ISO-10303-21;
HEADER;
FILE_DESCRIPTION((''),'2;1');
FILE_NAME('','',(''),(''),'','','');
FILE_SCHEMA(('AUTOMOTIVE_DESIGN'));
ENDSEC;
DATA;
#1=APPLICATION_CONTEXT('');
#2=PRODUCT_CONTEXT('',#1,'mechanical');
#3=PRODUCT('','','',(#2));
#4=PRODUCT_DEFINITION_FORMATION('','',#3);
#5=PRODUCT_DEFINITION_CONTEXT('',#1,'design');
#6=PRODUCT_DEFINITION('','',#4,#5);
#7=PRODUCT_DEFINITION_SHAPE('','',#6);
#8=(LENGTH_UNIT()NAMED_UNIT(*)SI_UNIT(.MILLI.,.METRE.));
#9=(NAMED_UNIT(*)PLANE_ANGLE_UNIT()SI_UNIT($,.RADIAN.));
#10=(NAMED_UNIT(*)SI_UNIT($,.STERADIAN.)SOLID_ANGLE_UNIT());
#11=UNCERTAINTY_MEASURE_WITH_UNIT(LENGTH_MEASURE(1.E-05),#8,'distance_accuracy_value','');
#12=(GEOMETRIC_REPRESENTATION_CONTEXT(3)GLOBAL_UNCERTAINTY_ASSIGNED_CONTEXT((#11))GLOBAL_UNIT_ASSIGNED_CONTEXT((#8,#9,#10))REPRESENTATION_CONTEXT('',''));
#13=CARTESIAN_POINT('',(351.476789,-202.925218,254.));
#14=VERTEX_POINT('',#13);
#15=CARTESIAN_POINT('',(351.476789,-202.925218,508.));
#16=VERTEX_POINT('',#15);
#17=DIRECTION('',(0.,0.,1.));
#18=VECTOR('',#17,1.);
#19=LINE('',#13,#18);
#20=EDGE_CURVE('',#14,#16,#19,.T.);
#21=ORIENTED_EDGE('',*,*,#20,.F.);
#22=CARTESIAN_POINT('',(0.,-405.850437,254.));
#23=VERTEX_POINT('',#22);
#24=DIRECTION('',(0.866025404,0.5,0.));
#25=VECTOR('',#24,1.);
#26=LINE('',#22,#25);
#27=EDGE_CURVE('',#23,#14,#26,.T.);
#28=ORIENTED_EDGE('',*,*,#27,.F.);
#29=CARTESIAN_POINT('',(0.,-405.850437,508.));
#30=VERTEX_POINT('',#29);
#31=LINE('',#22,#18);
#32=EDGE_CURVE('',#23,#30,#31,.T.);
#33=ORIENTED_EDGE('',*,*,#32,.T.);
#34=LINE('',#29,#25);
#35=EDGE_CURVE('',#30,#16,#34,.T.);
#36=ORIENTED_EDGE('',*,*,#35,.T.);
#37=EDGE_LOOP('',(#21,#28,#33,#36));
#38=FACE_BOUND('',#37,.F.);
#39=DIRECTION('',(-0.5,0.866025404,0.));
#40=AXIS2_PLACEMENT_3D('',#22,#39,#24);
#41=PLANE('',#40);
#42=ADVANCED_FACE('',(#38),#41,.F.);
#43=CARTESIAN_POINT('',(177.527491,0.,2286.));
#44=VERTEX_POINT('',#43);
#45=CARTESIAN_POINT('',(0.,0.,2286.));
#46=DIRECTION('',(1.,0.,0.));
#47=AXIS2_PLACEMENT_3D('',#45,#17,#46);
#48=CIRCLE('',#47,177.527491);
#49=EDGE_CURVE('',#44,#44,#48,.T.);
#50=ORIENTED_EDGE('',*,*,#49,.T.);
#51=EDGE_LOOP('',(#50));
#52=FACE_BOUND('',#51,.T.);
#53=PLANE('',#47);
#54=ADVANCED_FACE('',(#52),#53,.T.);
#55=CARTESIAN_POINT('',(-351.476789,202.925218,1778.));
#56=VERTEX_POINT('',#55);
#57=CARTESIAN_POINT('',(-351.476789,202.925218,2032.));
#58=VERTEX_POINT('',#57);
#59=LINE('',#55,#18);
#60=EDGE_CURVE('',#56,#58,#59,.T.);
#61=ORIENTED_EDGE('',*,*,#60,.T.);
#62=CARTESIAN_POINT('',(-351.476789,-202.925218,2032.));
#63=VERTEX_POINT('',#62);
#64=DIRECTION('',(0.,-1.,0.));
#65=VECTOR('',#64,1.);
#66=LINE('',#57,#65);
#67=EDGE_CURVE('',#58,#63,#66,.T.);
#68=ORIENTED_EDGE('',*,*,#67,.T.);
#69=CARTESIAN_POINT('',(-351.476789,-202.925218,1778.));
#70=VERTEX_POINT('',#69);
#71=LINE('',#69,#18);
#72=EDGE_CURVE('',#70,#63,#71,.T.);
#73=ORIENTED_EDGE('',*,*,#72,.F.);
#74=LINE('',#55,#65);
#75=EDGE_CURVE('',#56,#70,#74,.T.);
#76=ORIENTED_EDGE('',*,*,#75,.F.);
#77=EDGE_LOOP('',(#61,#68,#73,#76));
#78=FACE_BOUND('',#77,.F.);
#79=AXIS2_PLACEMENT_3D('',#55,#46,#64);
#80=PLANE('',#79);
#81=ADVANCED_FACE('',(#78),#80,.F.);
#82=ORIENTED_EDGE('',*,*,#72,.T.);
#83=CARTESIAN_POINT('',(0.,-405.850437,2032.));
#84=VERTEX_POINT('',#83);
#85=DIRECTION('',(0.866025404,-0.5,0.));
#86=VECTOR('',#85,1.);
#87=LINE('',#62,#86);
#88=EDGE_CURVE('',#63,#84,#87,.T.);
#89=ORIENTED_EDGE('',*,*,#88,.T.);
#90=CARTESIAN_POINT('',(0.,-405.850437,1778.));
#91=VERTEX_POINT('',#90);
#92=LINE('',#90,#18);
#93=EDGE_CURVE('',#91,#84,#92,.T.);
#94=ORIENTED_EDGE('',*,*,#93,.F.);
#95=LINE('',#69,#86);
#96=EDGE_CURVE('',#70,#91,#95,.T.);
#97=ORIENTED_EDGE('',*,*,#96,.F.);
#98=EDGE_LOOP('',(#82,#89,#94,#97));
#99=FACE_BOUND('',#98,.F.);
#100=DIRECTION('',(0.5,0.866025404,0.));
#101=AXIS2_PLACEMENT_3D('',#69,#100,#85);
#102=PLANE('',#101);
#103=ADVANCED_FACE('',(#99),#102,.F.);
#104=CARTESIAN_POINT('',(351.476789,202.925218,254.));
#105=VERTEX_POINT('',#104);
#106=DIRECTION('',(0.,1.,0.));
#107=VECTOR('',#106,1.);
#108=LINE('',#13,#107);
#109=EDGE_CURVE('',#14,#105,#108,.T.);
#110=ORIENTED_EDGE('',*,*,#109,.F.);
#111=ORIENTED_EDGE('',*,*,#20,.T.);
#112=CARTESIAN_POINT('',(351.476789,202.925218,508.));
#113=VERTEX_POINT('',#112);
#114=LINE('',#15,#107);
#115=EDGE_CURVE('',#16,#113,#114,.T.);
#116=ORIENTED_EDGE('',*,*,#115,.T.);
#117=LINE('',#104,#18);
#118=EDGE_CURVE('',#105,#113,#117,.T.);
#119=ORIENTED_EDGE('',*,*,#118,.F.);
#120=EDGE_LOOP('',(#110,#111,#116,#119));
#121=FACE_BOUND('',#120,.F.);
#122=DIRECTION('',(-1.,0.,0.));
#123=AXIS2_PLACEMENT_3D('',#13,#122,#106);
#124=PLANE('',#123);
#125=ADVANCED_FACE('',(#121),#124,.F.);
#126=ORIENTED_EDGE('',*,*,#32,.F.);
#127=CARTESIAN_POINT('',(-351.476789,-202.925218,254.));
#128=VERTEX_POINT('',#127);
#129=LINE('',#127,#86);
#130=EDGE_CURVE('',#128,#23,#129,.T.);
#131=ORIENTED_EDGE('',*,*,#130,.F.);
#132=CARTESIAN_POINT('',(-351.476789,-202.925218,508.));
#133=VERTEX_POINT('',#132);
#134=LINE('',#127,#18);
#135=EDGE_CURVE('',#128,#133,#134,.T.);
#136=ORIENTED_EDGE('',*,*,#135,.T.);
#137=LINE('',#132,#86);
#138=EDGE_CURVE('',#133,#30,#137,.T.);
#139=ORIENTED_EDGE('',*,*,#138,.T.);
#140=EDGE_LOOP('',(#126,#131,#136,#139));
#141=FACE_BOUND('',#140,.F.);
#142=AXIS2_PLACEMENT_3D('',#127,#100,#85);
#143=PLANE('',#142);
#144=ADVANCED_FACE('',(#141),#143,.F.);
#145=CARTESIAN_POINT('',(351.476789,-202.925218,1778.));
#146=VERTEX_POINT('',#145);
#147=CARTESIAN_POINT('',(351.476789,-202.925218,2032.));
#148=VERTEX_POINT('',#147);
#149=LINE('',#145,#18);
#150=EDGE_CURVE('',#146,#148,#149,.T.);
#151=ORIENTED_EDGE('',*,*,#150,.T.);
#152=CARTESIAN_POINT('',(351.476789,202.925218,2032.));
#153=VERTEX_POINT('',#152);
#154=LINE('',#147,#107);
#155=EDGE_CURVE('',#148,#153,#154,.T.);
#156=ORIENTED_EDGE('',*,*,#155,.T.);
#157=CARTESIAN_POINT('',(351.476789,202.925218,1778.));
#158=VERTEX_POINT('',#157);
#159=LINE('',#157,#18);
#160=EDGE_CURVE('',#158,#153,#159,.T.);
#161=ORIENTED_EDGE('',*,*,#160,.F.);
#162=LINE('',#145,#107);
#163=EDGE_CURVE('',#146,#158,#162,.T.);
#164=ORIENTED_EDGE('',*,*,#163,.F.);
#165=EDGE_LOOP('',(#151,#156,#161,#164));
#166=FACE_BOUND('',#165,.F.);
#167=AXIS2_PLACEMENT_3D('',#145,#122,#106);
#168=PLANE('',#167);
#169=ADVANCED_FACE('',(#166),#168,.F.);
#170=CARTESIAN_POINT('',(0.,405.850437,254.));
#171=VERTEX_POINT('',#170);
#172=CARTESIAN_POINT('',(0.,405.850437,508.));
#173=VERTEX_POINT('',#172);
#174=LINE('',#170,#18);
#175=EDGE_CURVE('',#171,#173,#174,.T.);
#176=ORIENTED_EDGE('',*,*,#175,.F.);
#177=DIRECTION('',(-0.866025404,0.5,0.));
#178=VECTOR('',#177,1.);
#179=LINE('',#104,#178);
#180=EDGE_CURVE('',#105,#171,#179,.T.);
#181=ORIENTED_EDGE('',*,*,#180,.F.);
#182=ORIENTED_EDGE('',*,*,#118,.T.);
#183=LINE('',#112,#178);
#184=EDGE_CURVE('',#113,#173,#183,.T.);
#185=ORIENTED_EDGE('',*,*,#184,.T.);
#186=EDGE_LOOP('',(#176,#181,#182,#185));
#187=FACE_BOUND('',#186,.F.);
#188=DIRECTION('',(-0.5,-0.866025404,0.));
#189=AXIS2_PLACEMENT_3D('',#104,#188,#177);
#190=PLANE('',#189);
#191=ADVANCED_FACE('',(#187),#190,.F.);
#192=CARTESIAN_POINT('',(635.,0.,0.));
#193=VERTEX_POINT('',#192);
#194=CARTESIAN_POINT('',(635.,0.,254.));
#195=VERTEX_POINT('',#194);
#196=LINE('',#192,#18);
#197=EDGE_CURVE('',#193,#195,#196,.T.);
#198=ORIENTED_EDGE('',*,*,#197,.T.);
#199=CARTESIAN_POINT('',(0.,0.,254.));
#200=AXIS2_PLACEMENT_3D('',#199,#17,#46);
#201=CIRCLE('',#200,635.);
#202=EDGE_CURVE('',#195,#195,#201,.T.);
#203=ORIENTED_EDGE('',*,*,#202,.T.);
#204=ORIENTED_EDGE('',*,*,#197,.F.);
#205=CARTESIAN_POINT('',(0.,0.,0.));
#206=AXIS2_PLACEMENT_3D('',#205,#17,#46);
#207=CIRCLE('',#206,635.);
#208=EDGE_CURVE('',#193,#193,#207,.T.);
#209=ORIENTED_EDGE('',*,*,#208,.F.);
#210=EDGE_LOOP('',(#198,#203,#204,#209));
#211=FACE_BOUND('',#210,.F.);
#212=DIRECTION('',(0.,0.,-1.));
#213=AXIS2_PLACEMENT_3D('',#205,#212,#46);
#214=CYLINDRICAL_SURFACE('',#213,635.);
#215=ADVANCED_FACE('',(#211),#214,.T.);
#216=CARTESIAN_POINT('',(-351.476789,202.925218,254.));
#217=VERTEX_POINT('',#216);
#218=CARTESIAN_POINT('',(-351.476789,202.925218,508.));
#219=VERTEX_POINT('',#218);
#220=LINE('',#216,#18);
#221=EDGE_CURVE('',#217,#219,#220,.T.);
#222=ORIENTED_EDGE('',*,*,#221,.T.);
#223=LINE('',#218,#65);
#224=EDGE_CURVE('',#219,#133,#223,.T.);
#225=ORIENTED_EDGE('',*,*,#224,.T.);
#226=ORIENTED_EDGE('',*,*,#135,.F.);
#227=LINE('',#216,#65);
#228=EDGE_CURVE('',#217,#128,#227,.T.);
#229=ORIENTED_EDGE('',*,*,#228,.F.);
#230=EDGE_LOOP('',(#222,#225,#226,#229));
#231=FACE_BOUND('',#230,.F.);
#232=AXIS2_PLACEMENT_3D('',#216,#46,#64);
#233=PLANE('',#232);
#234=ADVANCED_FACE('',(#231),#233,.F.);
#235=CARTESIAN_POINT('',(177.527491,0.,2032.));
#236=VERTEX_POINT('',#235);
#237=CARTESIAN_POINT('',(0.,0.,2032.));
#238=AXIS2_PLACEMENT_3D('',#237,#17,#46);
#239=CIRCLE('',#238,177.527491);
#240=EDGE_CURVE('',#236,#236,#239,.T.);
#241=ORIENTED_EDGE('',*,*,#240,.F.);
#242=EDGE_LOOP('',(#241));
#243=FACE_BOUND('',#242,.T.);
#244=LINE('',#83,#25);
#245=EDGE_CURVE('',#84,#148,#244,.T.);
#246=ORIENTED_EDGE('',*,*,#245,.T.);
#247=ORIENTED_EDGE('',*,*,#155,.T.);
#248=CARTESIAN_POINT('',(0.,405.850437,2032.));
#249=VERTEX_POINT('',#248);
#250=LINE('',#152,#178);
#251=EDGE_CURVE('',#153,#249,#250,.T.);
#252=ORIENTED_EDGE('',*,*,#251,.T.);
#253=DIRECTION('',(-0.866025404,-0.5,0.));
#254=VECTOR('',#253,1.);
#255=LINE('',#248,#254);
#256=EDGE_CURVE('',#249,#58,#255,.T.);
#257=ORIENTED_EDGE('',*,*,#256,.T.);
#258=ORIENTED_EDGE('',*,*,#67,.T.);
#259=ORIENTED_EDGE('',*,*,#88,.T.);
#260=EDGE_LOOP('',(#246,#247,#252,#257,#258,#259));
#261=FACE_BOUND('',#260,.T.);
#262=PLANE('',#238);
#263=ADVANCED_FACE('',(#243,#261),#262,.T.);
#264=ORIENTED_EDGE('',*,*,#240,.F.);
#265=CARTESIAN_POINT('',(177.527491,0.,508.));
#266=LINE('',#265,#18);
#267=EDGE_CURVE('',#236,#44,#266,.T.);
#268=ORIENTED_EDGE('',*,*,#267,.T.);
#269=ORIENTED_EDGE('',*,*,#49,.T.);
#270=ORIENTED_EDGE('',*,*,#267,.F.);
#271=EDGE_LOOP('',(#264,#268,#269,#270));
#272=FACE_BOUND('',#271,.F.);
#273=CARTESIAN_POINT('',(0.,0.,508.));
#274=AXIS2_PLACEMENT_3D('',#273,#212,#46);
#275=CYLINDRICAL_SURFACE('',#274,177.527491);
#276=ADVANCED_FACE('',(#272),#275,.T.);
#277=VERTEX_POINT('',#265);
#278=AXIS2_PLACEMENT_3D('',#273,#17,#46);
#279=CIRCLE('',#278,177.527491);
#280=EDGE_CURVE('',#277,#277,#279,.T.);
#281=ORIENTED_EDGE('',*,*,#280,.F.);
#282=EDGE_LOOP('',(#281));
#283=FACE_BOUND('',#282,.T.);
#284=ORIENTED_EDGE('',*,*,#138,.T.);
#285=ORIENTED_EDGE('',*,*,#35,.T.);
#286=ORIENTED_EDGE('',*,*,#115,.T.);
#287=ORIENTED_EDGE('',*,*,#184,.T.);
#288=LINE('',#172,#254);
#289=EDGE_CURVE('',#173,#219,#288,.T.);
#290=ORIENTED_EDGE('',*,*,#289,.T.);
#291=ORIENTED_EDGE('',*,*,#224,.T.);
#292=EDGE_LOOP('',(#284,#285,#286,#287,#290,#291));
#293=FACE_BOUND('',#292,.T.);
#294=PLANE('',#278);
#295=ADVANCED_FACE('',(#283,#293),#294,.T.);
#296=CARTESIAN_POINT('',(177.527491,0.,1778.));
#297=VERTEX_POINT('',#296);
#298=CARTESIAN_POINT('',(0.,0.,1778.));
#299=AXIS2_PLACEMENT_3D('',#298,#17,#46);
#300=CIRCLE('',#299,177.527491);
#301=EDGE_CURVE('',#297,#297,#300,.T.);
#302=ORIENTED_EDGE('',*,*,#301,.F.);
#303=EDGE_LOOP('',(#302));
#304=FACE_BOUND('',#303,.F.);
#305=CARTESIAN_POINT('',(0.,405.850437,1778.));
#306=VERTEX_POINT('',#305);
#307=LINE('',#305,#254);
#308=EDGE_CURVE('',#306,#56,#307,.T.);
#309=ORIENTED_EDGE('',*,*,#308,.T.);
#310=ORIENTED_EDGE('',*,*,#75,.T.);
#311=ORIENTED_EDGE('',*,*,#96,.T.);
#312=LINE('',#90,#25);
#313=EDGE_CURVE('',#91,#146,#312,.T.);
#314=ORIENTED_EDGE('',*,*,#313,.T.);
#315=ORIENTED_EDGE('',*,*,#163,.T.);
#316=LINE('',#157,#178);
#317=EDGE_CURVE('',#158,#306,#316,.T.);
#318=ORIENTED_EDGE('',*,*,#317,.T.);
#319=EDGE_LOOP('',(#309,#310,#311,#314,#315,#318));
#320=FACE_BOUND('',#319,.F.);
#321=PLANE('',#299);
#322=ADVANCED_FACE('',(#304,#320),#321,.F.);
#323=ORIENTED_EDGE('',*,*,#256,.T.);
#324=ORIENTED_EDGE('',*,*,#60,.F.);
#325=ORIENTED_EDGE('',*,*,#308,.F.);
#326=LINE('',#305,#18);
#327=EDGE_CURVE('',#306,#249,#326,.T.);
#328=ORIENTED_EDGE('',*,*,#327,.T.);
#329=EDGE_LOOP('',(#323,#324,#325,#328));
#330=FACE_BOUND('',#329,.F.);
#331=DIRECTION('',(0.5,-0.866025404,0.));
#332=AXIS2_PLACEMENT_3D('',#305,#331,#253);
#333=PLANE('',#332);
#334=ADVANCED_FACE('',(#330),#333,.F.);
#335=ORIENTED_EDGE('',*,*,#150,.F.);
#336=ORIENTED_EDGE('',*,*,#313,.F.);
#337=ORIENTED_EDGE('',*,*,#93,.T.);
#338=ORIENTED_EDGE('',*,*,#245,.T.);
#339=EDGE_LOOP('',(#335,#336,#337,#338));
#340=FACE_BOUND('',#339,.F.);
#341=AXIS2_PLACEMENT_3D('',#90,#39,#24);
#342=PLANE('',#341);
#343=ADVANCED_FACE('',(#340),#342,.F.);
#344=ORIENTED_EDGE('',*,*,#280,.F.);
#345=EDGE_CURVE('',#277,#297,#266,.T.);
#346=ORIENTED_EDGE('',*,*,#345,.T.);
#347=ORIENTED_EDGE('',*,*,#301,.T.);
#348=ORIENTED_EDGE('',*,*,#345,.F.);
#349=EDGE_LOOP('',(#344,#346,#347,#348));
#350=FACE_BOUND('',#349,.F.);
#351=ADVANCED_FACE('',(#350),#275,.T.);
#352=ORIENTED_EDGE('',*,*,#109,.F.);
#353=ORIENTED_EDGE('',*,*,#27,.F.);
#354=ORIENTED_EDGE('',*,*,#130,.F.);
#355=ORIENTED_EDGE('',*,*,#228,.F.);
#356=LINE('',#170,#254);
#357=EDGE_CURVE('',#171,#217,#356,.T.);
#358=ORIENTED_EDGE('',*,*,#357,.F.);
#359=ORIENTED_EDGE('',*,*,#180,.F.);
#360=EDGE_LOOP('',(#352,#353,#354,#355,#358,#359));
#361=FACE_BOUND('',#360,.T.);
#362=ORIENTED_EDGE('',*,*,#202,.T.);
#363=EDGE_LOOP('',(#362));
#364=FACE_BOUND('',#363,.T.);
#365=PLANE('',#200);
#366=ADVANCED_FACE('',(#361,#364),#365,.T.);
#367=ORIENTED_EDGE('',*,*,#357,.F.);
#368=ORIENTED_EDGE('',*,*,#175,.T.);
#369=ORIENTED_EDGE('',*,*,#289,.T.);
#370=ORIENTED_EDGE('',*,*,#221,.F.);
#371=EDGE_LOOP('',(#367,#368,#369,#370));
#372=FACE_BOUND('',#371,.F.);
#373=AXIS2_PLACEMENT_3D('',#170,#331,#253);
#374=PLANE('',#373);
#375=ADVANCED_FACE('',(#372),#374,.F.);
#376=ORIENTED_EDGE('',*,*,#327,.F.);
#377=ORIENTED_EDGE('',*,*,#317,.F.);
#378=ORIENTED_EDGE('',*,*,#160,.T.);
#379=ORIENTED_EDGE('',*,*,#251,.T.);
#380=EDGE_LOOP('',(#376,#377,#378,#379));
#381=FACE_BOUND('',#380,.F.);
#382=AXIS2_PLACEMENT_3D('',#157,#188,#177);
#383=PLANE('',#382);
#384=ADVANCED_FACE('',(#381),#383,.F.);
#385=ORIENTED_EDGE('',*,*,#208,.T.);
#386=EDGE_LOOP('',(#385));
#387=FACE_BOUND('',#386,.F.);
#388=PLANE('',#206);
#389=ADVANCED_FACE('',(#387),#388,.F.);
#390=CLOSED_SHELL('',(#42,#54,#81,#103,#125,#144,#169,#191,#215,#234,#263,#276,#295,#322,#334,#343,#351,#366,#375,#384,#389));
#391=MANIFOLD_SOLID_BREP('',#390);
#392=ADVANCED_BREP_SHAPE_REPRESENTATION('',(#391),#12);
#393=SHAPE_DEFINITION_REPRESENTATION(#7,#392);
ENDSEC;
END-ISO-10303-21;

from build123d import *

# Parameters (mm, degrees)
F0_R      = 635
F1_DEPTH  = 254
F3_DEPTH  = 254
F4_R      = 177.5274912945
F5_DEPTH  = 1778
F6_START  = 1270
F3_FACE_R = 177.5274912945
F6_DEPTH  = 254


with BuildPart() as f1:
    # F0 (on Top) → F1 (new body)
    with BuildSketch(Plane.XY):
        Circle(F0_R)
    extrude(amount=F1_DEPTH)

    # F2 (on face) → F3 (join)
    with BuildSketch(Plane.XY.offset(254)):
        Polygon((351.4767885208, -202.9252184664), (351.4767885208, 202.9252184664), (0, 405.8504369328), (-351.4767885208, 202.9252184664), (-351.4767885208, -202.9252184664), (0, -405.8504369328), align=None)
    extrude(amount=F3_DEPTH)

    # F4 (on face) → F5 (join)
    with BuildSketch(Plane.XY.offset(508)):
        Circle(F4_R)
    extrude(amount=F5_DEPTH)

    # F3_face (on face) → F6 (join)
    with BuildSketch(Plane.XY.offset(508).offset(F6_START)):
        Polygon((0, -405.8504369328), (351.4767885208, -202.9252184664), (351.4767885208, 202.9252184664), (0, 405.8504369328), (-351.4767885208, 202.9252184664), (-351.4767885208, -202.9252184664), align=None)
        Circle(F3_FACE_R, mode=Mode.SUBTRACT)
    extrude(amount=F6_DEPTH)


solid = f1.part
